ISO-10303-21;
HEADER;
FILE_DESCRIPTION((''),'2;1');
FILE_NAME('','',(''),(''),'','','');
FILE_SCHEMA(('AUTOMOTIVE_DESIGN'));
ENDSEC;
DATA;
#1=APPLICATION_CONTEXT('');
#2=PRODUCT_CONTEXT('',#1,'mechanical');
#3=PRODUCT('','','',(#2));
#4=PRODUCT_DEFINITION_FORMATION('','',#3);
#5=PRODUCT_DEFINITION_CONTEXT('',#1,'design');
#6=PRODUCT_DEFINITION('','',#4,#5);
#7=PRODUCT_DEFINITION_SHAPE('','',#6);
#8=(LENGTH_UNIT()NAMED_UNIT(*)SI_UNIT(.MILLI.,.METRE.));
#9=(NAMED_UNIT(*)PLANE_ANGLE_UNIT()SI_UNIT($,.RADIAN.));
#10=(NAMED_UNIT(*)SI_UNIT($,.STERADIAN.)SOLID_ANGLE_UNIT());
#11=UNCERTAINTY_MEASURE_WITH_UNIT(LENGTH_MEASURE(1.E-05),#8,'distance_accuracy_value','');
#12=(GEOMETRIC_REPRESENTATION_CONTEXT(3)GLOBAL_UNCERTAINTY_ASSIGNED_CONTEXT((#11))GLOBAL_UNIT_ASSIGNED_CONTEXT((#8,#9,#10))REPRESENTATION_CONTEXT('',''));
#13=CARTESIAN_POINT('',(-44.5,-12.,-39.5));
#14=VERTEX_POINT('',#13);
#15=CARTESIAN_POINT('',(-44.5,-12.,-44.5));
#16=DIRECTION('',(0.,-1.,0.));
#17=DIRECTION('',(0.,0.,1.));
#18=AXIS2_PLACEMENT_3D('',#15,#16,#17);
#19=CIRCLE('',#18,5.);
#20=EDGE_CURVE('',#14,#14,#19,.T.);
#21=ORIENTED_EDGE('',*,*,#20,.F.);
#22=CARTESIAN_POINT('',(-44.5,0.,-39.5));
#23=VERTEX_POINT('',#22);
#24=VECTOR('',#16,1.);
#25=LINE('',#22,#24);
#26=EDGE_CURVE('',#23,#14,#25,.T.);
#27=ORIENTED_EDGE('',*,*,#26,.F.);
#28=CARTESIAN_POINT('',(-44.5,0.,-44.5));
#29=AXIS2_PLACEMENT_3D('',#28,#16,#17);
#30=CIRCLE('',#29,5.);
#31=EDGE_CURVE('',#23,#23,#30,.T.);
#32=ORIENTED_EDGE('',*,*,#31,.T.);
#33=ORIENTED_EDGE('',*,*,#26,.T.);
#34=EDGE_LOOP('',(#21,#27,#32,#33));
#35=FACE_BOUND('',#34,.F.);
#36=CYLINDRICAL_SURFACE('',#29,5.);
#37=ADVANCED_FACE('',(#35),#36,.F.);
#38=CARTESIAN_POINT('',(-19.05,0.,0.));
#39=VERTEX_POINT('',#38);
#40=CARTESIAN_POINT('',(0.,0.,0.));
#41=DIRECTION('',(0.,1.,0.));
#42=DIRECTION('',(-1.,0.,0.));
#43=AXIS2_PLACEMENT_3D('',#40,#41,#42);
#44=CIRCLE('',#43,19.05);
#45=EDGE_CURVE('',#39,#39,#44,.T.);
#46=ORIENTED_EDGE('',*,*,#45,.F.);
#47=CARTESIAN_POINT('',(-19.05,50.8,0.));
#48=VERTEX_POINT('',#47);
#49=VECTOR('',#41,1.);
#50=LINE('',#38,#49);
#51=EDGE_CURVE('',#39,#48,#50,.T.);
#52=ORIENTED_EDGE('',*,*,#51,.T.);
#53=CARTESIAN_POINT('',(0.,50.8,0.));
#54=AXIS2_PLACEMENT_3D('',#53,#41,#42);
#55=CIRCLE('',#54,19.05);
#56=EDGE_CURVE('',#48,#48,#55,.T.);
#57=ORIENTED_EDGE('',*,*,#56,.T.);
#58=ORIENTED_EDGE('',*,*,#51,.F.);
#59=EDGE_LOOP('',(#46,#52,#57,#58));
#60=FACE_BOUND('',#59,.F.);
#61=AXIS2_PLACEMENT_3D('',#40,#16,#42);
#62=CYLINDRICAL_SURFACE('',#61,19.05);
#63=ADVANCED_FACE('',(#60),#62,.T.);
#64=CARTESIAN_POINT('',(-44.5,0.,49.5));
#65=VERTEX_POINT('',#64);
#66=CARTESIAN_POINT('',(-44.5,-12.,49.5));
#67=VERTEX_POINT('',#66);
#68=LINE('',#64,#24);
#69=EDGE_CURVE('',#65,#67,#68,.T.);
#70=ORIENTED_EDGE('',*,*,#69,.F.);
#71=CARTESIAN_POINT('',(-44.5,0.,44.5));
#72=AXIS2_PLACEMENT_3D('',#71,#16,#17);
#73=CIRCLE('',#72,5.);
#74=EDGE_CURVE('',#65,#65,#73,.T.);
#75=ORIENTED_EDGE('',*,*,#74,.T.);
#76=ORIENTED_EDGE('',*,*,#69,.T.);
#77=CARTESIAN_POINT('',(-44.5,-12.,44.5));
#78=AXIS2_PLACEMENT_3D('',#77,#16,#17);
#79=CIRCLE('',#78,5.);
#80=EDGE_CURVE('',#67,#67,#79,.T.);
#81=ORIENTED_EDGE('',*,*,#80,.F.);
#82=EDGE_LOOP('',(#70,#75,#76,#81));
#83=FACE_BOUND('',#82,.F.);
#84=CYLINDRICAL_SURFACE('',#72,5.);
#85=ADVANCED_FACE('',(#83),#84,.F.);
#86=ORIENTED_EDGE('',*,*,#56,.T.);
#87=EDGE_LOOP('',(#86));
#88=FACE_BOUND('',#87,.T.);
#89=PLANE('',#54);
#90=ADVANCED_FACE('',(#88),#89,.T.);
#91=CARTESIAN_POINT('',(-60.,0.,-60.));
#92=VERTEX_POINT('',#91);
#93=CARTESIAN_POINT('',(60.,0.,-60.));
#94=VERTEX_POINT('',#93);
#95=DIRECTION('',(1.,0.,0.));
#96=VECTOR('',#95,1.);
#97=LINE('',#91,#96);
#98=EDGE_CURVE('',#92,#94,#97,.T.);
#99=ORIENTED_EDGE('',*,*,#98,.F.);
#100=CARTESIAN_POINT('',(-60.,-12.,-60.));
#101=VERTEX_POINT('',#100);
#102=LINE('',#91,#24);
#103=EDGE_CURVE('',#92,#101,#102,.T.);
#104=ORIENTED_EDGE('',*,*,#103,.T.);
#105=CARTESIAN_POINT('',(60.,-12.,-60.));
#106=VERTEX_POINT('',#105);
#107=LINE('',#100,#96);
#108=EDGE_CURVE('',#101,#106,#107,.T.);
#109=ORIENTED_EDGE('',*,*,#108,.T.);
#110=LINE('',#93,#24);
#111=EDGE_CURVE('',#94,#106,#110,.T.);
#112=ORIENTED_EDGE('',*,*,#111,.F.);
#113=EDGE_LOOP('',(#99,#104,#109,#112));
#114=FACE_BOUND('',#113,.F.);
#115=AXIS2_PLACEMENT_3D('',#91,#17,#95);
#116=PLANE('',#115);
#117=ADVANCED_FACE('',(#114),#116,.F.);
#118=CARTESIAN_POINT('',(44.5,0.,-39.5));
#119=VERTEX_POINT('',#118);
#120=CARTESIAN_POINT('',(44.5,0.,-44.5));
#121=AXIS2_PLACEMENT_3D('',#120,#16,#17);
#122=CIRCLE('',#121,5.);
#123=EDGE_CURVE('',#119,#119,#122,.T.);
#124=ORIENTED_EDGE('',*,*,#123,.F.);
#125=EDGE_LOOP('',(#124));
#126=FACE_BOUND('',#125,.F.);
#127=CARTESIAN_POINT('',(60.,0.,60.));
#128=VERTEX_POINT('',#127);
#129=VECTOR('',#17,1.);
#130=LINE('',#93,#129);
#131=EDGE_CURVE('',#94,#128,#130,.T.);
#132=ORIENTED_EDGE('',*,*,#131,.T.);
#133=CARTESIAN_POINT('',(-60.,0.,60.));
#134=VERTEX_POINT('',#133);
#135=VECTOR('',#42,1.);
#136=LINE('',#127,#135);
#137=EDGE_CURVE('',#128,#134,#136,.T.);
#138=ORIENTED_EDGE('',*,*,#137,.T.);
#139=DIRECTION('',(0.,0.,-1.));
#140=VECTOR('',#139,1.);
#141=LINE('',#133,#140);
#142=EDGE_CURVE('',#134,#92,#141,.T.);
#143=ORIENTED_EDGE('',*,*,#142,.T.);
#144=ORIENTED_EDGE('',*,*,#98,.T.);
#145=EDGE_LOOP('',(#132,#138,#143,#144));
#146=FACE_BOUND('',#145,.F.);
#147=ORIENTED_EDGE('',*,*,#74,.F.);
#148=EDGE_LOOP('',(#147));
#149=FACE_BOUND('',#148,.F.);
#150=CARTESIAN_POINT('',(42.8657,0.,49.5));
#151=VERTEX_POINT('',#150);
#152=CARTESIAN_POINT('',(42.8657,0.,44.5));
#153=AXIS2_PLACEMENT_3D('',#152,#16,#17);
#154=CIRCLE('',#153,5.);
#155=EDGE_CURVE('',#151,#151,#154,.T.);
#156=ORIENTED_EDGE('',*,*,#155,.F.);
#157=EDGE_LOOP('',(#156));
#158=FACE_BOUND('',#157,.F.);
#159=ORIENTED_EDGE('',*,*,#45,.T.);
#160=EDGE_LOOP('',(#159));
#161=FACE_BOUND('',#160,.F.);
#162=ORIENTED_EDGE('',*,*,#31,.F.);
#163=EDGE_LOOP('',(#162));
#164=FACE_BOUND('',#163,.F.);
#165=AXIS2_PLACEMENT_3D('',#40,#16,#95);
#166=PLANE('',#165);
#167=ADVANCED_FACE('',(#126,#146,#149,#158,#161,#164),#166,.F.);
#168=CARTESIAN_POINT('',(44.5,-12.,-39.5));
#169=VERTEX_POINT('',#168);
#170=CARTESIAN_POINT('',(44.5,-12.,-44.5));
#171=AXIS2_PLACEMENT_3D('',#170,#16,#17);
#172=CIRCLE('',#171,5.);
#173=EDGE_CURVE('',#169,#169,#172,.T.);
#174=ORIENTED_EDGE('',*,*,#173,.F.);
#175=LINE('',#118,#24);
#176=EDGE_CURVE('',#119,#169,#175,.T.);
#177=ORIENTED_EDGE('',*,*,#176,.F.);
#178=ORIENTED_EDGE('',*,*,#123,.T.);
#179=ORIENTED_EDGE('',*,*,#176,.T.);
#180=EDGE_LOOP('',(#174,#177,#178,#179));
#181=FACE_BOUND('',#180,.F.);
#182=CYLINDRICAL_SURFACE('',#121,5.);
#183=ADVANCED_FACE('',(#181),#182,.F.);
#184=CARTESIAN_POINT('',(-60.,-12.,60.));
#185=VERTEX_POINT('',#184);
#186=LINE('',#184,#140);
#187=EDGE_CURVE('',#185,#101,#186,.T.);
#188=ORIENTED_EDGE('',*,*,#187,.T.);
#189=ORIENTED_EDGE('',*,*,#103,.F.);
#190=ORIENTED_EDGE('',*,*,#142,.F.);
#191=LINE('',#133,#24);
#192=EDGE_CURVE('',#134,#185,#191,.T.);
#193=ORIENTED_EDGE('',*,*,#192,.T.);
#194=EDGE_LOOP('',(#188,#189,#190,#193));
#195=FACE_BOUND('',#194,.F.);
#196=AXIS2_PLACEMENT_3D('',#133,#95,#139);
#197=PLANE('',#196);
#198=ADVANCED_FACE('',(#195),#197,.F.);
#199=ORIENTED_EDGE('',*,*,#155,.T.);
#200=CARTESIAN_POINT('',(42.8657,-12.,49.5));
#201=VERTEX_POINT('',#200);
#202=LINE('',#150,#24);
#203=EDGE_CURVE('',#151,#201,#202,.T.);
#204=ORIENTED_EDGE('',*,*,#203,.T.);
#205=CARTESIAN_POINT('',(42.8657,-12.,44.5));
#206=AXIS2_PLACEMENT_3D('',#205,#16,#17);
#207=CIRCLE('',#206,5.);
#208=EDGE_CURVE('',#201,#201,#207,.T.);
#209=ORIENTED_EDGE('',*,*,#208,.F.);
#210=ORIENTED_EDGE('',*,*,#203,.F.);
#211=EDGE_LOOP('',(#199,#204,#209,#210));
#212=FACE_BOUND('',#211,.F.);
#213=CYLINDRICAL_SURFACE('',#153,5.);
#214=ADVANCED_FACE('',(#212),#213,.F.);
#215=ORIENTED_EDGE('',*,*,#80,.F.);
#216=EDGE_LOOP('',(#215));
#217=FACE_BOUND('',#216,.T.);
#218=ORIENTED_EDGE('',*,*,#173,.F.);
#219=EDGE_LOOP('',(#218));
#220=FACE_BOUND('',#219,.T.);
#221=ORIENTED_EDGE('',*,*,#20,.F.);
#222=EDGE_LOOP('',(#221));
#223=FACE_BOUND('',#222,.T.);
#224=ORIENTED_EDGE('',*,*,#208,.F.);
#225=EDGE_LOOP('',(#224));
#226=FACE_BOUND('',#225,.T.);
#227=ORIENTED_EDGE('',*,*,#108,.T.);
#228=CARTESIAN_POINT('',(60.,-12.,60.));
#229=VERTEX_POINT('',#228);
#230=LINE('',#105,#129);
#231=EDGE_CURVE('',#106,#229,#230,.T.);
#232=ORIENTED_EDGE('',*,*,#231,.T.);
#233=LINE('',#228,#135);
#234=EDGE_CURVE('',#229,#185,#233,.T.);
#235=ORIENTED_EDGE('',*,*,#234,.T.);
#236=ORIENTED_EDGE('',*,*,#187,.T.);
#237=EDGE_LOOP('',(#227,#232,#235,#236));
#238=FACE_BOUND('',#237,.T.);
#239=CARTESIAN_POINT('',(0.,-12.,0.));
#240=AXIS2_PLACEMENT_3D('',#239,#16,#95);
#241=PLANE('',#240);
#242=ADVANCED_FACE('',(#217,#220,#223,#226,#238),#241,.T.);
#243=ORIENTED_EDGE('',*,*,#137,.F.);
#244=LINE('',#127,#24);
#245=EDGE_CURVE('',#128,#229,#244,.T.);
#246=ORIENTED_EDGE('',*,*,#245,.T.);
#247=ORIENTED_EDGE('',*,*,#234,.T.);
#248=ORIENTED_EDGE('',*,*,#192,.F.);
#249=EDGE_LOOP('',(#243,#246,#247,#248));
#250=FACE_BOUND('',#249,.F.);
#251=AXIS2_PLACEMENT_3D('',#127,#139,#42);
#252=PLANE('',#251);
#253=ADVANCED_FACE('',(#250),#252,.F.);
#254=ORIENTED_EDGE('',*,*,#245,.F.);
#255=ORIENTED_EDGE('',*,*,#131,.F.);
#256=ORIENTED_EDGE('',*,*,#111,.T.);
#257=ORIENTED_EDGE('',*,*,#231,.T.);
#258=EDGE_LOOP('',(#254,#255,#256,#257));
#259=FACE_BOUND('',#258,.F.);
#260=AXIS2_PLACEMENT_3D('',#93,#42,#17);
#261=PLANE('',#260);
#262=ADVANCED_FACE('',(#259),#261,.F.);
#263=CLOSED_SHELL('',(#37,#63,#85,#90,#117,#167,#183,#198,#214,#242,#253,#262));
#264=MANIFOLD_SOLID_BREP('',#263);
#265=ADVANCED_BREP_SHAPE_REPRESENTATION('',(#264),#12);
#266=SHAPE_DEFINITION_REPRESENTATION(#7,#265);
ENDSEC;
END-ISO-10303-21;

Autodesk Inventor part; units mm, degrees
ref_plane "YZ Plane" through (0, 0, 0) normal (1, 0, 0) x (0, 1, 0)
ref_plane "XZ Plane" through (0, 0, 0) normal (0, 1, 0) x (-1, 0, 0)
ref_plane "XY Plane" through (0, 0, 0) normal (0, 0, 1) x (1, 0, 0)
sketch "Boceto1" plane through (0, 0, 0) normal (0, 1, 0) x (-1, 0, 0)
  circle A0 centre (0, 0) radius 19.05
  line L0 (0, 0) -> (0, 22.5) construction
  line L1 (0, 22.5) -> (-32.5, 22.5) construction
  line L2 (-32.5, 22.5) -> (32.5, 22.5)
  line L3 (32.5, 22.5) -> (32.5, -22.5)
  line L4 (32.5, -22.5) -> (-32.5, -22.5)
  line L5 (-32.5, -22.5) -> (-32.5, 22.5)
  dimension "d0" = 38.1
  dimension "d1" = 22.5
  dimension "d2" = 32.5
  dimension "d3" = 65
  dimension "d4" = 45
extrude "Extrusión1" add sketch "Boceto1" along normal blind 50.8 contours A0
sketch "Boceto2" plane through (0, 0, 0) normal (0, -1, 0) x (1, 0, 0)
  line L0 (0, 0) -> (-60, 0) construction
  line L1 (-60, 0) -> (-60, -60) construction
  line L2 (-60, -60) -> (60, -60)
  line L3 (60, -60) -> (60, 60)
  line L4 (60, 60) -> (-60, 60)
  line L5 (-60, 60) -> (-60, -60)
  dimension "d7" = 60
  dimension "d8" = 60
  dimension "d9" = 120
  dimension "d10" = 120
extrude "Extrusión2" add sketch "Boceto2" along normal blind 12
thread "Rosca1" size "M16x2" class "6g" standard "ANSI Metric M Profile" full length
sketch "Sketch4" plane through (0, 0, 0) normal (0, 1, 0) x (1, 0, 0)
  line L0 (60, 60) -> (60, -60) construction
  line L1 (-60, 60) -> (60, 60) construction
  line L2 (-60, -60) -> (-60, 60) construction
  line L3 (60, -60) -> (-60, -60) construction
  circle A0 centre (0, 0) radius 19.05 construction
  line L4 (-60, 60) -> (60, 60) construction
  line L5 (0, 60) -> (0, -60) construction
  line L6 (60, 60) -> (60, -60) construction
  line L7 (60, 0) -> (-60, 0) construction
  point P0 (-44.5, 44.5)
  point P1 (44.5, 44.5)
  point P2 (-44.5, -44.5)
  point P3 (42.8657, -44.5)
  dimension "d34" = 89
  dimension "d35" = 89
  dimension "d36" = 89
hole "Hole1" at (-44.5, 0, -44.5) at (44.5, 0, -44.5) at (-44.5, 0, 44.5) at (42.8657, 0, 44.5) direction (0, -1, 0) diameter 10 end through all
equation "\"d7\" = 0.5 * d9"
equation "\"d8\" = 0.5 * d10"
properties part number "conector cardan"
